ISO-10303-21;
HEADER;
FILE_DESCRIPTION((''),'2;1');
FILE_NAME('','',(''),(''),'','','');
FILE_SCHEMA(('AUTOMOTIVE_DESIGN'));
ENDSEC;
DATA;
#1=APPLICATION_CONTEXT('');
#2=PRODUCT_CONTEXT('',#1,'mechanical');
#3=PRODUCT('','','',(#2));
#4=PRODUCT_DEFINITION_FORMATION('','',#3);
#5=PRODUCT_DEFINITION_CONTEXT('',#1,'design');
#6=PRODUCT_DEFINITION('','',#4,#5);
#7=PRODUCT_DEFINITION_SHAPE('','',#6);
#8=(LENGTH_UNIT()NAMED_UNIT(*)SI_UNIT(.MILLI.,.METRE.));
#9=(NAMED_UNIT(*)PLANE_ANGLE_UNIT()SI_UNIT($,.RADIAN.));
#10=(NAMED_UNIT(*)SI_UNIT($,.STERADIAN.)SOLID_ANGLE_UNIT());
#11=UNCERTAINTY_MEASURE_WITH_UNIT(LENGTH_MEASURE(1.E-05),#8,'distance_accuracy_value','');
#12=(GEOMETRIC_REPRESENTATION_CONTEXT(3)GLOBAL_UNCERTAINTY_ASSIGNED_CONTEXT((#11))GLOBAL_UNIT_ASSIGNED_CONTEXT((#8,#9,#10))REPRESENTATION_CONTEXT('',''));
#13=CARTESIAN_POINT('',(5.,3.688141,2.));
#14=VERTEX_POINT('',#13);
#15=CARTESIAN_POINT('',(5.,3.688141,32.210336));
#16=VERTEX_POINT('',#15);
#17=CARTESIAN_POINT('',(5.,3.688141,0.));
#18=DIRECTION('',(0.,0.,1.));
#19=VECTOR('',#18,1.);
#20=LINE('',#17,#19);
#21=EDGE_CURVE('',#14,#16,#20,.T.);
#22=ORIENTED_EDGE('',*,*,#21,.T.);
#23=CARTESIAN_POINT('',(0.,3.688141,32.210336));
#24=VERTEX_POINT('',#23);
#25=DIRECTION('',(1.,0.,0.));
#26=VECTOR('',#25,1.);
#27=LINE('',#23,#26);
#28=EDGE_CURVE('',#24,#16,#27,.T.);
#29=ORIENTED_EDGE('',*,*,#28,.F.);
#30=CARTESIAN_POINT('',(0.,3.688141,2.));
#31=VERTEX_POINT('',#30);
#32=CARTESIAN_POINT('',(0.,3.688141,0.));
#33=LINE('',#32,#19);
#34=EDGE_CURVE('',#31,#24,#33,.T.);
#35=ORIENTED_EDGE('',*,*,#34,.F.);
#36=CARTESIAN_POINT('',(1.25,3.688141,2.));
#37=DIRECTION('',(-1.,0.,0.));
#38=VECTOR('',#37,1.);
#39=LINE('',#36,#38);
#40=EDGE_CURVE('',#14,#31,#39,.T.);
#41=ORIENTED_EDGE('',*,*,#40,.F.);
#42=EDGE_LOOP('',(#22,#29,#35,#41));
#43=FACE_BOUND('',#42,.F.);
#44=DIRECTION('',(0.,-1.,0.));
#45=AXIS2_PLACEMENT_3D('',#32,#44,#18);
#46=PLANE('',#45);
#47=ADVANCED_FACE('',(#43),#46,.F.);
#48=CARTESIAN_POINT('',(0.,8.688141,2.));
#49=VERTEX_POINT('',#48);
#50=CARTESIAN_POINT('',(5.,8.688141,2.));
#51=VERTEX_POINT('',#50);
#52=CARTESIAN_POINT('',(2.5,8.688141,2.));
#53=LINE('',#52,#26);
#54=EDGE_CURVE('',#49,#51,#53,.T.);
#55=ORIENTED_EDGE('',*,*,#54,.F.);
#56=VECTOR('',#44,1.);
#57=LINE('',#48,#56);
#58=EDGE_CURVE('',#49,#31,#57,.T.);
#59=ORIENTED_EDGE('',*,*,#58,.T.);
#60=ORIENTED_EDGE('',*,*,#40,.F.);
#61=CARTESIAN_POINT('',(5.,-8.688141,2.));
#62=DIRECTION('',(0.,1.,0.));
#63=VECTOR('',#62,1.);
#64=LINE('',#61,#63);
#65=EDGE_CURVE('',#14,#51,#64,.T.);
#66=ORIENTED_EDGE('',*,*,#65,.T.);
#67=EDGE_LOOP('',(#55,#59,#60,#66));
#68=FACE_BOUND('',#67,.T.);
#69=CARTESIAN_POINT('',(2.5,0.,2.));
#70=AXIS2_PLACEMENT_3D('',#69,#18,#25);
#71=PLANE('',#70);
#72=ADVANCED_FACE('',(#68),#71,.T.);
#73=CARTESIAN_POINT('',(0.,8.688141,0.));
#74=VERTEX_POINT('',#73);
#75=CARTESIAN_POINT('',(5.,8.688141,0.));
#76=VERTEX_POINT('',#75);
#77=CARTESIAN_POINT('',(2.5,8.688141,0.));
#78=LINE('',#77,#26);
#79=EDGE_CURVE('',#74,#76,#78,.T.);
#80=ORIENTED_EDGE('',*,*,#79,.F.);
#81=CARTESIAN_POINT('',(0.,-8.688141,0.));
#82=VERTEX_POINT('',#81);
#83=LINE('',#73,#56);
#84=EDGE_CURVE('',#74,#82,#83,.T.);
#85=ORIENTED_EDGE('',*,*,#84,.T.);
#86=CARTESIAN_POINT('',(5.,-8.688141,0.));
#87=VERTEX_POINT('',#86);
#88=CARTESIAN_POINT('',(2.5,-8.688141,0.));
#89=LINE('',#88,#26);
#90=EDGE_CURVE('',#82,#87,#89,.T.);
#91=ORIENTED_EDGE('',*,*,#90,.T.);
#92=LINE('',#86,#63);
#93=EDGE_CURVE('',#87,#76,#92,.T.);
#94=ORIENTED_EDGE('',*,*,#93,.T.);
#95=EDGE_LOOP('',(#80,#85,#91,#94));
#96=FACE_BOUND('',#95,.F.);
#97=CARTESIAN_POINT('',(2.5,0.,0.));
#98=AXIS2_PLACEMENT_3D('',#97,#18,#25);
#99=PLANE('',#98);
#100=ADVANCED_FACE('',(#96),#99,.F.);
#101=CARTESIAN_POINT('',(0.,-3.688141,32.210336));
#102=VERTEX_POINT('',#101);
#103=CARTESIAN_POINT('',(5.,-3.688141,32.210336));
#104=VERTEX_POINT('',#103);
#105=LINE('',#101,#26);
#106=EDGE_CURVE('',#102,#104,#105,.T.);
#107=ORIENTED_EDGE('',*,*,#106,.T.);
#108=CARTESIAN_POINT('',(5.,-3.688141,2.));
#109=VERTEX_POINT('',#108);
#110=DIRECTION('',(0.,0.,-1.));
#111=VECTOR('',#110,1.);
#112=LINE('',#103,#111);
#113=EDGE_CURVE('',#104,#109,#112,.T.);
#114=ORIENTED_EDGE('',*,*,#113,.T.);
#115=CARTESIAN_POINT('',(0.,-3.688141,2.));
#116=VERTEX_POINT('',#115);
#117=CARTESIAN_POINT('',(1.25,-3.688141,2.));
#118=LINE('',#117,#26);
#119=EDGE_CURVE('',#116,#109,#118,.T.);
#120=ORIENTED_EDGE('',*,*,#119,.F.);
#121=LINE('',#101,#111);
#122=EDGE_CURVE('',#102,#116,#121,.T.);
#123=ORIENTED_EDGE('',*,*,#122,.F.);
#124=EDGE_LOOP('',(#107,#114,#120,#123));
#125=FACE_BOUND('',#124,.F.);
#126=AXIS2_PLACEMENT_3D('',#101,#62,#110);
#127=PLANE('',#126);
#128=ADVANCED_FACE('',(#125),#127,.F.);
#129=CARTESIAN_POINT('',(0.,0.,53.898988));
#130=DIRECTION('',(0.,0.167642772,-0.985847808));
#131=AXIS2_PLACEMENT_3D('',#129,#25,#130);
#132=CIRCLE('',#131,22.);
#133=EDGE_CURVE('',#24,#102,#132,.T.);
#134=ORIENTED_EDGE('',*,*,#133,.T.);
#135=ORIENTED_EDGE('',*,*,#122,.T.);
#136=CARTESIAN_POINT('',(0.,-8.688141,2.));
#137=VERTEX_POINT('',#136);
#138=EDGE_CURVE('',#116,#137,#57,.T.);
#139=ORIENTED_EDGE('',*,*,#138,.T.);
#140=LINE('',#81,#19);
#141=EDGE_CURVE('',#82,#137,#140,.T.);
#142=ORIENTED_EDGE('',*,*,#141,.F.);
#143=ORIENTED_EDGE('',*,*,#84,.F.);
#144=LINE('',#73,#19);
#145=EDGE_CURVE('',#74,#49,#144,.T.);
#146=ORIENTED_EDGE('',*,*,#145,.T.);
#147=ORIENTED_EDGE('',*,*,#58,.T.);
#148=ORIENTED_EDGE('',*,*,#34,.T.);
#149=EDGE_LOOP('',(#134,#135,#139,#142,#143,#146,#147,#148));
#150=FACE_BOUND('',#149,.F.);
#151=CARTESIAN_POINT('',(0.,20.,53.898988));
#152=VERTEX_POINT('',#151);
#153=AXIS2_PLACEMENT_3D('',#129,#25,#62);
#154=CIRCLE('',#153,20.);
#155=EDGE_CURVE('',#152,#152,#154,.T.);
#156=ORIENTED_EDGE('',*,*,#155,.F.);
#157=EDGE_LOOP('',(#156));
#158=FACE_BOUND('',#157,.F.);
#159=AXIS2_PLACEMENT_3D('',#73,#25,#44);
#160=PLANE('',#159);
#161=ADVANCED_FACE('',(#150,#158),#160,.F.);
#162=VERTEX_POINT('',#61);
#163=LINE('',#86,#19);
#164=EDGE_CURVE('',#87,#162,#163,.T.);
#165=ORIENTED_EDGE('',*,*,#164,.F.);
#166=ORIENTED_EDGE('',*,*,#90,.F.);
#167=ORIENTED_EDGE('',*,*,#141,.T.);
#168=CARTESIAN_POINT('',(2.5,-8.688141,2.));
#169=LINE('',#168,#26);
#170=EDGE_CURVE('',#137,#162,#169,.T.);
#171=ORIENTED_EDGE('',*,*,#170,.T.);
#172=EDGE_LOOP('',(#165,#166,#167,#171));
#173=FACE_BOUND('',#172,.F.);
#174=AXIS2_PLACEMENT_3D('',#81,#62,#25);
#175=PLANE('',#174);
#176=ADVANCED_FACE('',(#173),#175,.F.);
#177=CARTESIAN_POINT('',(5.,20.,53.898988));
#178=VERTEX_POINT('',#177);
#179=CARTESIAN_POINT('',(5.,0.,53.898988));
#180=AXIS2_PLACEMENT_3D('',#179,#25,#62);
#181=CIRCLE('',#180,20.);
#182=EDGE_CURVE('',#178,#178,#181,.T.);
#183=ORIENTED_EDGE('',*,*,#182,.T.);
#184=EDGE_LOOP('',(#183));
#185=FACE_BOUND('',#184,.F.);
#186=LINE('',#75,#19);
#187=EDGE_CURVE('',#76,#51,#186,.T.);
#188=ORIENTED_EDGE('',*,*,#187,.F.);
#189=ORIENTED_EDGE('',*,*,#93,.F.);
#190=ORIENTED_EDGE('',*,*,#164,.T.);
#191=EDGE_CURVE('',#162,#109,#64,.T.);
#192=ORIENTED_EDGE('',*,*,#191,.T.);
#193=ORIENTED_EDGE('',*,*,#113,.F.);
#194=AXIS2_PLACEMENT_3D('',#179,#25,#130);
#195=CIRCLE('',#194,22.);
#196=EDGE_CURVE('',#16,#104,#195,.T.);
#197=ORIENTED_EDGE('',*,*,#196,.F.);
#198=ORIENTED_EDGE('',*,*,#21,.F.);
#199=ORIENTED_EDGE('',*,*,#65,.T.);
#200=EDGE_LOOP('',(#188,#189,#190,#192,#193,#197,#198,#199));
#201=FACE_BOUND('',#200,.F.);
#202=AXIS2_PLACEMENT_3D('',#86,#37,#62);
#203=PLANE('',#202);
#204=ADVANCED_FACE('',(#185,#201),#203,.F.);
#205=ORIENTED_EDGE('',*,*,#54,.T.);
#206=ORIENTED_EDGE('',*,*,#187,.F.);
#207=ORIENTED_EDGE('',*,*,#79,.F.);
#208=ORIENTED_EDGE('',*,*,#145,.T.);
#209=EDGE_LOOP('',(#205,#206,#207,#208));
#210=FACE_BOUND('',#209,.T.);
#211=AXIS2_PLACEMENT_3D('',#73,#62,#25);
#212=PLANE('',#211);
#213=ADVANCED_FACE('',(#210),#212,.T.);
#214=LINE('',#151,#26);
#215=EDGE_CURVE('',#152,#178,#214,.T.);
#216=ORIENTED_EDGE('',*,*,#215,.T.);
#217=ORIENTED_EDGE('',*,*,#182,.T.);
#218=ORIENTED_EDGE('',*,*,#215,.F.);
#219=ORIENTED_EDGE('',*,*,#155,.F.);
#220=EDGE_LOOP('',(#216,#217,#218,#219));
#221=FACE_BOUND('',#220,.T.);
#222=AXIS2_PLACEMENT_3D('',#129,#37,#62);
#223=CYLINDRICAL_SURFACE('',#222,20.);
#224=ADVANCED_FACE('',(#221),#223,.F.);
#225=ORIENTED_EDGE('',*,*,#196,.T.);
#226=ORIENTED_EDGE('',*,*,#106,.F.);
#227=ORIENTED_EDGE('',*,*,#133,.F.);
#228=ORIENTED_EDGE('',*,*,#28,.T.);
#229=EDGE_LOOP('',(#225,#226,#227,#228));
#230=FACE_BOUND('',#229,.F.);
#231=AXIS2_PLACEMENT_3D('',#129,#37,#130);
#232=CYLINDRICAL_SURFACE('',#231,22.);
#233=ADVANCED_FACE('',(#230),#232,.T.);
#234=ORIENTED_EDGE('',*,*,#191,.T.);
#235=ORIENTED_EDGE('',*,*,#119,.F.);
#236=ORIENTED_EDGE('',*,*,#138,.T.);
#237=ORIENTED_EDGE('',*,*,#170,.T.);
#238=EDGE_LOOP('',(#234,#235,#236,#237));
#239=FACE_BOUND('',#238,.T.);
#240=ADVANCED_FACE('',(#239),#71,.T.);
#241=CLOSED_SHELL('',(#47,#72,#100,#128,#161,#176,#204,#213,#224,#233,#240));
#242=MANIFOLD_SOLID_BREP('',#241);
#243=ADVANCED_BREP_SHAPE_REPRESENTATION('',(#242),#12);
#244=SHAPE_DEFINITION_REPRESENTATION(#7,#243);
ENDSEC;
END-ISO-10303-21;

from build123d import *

# Parameters (mm, degrees)
F0_R     = 20
F1_DEPTH = 5
F2_W     = 5
F2_H     = 7.376282
F2_H_2   = 5
F3_DEPTH = 2


with BuildPart() as f1:
    # F0 (on Right) → F1 (new body)
    with BuildSketch(Plane.YZ):
        with BuildLine():
            Line((3.688141, 0), (3.688141, 32.210336))
            ThreePointArc((3.688141, 32.210336), (0, 75.898988), (-3.688141, 32.210336))
            Line((-3.688141, 32.210336), (-3.688141, 0))
            Line((-3.688141, 0), (3.688141, 0))
        make_face()
        with Locations((0, 53.898988)):
            Circle(F0_R, mode=Mode.SUBTRACT)
    extrude(amount=F1_DEPTH)

    # F2 (on Top) → F3 (join)
    with BuildSketch(Plane.XY):
        with Locations((2.5, 0)):
            Rectangle(F2_W, F2_H)
        with Locations((2.5, -6.188141)):
            Rectangle(F2_W, F2_H_2)
        with Locations((2.5, 6.188141)):
            Rectangle(F2_W, F2_H_2)
    extrude(amount=F3_DEPTH)


solid = f1.part
